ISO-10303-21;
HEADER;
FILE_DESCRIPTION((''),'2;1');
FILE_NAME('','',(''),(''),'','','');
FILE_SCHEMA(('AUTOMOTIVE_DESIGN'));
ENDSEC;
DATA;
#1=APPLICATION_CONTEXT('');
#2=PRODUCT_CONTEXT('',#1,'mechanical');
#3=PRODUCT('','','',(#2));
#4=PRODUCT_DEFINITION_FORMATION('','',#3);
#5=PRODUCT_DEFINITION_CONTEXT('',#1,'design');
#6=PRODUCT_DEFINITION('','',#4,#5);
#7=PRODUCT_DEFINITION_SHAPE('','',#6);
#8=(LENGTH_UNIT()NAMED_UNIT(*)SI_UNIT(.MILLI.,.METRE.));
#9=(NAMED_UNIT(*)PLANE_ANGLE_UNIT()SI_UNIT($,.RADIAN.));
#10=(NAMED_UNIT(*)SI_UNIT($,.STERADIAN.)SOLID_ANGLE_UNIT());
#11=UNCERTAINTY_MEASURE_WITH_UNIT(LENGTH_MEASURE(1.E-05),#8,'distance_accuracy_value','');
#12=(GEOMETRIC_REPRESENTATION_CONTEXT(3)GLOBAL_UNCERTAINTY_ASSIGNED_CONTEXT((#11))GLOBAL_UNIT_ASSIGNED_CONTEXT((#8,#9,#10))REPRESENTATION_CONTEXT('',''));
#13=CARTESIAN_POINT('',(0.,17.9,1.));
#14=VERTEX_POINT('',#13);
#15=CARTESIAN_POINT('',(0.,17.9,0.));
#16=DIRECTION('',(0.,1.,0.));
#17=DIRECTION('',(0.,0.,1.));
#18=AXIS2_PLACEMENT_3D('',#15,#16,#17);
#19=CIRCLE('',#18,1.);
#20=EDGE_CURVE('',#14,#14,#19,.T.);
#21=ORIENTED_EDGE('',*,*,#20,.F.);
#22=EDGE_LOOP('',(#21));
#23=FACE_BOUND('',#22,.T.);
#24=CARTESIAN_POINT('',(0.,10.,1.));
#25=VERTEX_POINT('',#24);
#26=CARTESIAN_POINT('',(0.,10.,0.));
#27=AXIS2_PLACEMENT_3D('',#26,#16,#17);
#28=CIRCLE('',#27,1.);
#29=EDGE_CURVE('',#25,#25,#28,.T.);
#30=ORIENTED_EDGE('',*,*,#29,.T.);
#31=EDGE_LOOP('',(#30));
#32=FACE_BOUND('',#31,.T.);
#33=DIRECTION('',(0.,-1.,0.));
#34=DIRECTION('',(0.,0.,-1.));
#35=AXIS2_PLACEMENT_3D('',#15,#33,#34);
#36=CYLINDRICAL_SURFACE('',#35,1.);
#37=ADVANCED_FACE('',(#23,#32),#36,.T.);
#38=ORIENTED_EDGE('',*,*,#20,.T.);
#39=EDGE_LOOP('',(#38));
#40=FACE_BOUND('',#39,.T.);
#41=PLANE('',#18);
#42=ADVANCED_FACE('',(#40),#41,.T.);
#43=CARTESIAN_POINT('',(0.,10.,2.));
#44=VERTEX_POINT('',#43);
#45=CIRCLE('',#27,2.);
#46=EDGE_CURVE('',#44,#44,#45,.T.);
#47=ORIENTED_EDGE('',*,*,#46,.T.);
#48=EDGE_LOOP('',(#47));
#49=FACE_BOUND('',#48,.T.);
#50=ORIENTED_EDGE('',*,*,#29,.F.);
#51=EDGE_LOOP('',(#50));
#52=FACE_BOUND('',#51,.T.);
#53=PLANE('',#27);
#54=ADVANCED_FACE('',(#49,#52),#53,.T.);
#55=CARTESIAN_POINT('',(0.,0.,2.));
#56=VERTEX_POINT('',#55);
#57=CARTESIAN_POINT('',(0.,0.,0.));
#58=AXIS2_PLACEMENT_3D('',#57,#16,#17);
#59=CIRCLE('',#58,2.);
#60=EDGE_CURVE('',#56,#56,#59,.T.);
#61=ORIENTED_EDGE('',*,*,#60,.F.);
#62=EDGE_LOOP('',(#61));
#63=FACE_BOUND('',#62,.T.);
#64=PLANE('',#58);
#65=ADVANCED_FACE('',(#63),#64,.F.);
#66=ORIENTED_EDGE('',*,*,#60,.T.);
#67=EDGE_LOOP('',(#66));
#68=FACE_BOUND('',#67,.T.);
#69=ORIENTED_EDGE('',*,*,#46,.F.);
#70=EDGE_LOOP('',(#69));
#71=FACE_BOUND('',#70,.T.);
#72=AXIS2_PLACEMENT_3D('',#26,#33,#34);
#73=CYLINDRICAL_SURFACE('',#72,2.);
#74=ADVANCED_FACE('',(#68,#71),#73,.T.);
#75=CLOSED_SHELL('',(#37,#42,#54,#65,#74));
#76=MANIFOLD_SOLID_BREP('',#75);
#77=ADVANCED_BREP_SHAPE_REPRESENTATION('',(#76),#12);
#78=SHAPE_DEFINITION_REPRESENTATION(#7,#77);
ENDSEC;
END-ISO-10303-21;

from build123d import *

# Parameters (mm, degrees)
SKETCH1_R           = 2
BOSS_EXTRUDE1_DEPTH = 10
SKETCH2_R           = 1
BOSS_EXTRUDE2_DEPTH = 7.9


with BuildPart() as part:
    # Sketch1 → Boss-Extrude1 (new body)
    with BuildSketch(Plane(origin=(0, 0, 0), x_dir=(1, 0, 0), z_dir=(0, 1, 0))):
        with Locations(Location((0, 0, 0), (0, 0, 270))):
            Circle(SKETCH1_R)
    extrude(amount=BOSS_EXTRUDE1_DEPTH)

    # Sketch2 → Boss-Extrude2 (add)
    with BuildSketch(Plane(origin=(0, 10, 0), x_dir=(1, 0, 0), z_dir=(0, 1, 0))):
        with Locations(Location((0, 0, 0), (0, 0, 270))):
            Circle(SKETCH2_R)
    extrude(amount=BOSS_EXTRUDE2_DEPTH)


solid = part.part
